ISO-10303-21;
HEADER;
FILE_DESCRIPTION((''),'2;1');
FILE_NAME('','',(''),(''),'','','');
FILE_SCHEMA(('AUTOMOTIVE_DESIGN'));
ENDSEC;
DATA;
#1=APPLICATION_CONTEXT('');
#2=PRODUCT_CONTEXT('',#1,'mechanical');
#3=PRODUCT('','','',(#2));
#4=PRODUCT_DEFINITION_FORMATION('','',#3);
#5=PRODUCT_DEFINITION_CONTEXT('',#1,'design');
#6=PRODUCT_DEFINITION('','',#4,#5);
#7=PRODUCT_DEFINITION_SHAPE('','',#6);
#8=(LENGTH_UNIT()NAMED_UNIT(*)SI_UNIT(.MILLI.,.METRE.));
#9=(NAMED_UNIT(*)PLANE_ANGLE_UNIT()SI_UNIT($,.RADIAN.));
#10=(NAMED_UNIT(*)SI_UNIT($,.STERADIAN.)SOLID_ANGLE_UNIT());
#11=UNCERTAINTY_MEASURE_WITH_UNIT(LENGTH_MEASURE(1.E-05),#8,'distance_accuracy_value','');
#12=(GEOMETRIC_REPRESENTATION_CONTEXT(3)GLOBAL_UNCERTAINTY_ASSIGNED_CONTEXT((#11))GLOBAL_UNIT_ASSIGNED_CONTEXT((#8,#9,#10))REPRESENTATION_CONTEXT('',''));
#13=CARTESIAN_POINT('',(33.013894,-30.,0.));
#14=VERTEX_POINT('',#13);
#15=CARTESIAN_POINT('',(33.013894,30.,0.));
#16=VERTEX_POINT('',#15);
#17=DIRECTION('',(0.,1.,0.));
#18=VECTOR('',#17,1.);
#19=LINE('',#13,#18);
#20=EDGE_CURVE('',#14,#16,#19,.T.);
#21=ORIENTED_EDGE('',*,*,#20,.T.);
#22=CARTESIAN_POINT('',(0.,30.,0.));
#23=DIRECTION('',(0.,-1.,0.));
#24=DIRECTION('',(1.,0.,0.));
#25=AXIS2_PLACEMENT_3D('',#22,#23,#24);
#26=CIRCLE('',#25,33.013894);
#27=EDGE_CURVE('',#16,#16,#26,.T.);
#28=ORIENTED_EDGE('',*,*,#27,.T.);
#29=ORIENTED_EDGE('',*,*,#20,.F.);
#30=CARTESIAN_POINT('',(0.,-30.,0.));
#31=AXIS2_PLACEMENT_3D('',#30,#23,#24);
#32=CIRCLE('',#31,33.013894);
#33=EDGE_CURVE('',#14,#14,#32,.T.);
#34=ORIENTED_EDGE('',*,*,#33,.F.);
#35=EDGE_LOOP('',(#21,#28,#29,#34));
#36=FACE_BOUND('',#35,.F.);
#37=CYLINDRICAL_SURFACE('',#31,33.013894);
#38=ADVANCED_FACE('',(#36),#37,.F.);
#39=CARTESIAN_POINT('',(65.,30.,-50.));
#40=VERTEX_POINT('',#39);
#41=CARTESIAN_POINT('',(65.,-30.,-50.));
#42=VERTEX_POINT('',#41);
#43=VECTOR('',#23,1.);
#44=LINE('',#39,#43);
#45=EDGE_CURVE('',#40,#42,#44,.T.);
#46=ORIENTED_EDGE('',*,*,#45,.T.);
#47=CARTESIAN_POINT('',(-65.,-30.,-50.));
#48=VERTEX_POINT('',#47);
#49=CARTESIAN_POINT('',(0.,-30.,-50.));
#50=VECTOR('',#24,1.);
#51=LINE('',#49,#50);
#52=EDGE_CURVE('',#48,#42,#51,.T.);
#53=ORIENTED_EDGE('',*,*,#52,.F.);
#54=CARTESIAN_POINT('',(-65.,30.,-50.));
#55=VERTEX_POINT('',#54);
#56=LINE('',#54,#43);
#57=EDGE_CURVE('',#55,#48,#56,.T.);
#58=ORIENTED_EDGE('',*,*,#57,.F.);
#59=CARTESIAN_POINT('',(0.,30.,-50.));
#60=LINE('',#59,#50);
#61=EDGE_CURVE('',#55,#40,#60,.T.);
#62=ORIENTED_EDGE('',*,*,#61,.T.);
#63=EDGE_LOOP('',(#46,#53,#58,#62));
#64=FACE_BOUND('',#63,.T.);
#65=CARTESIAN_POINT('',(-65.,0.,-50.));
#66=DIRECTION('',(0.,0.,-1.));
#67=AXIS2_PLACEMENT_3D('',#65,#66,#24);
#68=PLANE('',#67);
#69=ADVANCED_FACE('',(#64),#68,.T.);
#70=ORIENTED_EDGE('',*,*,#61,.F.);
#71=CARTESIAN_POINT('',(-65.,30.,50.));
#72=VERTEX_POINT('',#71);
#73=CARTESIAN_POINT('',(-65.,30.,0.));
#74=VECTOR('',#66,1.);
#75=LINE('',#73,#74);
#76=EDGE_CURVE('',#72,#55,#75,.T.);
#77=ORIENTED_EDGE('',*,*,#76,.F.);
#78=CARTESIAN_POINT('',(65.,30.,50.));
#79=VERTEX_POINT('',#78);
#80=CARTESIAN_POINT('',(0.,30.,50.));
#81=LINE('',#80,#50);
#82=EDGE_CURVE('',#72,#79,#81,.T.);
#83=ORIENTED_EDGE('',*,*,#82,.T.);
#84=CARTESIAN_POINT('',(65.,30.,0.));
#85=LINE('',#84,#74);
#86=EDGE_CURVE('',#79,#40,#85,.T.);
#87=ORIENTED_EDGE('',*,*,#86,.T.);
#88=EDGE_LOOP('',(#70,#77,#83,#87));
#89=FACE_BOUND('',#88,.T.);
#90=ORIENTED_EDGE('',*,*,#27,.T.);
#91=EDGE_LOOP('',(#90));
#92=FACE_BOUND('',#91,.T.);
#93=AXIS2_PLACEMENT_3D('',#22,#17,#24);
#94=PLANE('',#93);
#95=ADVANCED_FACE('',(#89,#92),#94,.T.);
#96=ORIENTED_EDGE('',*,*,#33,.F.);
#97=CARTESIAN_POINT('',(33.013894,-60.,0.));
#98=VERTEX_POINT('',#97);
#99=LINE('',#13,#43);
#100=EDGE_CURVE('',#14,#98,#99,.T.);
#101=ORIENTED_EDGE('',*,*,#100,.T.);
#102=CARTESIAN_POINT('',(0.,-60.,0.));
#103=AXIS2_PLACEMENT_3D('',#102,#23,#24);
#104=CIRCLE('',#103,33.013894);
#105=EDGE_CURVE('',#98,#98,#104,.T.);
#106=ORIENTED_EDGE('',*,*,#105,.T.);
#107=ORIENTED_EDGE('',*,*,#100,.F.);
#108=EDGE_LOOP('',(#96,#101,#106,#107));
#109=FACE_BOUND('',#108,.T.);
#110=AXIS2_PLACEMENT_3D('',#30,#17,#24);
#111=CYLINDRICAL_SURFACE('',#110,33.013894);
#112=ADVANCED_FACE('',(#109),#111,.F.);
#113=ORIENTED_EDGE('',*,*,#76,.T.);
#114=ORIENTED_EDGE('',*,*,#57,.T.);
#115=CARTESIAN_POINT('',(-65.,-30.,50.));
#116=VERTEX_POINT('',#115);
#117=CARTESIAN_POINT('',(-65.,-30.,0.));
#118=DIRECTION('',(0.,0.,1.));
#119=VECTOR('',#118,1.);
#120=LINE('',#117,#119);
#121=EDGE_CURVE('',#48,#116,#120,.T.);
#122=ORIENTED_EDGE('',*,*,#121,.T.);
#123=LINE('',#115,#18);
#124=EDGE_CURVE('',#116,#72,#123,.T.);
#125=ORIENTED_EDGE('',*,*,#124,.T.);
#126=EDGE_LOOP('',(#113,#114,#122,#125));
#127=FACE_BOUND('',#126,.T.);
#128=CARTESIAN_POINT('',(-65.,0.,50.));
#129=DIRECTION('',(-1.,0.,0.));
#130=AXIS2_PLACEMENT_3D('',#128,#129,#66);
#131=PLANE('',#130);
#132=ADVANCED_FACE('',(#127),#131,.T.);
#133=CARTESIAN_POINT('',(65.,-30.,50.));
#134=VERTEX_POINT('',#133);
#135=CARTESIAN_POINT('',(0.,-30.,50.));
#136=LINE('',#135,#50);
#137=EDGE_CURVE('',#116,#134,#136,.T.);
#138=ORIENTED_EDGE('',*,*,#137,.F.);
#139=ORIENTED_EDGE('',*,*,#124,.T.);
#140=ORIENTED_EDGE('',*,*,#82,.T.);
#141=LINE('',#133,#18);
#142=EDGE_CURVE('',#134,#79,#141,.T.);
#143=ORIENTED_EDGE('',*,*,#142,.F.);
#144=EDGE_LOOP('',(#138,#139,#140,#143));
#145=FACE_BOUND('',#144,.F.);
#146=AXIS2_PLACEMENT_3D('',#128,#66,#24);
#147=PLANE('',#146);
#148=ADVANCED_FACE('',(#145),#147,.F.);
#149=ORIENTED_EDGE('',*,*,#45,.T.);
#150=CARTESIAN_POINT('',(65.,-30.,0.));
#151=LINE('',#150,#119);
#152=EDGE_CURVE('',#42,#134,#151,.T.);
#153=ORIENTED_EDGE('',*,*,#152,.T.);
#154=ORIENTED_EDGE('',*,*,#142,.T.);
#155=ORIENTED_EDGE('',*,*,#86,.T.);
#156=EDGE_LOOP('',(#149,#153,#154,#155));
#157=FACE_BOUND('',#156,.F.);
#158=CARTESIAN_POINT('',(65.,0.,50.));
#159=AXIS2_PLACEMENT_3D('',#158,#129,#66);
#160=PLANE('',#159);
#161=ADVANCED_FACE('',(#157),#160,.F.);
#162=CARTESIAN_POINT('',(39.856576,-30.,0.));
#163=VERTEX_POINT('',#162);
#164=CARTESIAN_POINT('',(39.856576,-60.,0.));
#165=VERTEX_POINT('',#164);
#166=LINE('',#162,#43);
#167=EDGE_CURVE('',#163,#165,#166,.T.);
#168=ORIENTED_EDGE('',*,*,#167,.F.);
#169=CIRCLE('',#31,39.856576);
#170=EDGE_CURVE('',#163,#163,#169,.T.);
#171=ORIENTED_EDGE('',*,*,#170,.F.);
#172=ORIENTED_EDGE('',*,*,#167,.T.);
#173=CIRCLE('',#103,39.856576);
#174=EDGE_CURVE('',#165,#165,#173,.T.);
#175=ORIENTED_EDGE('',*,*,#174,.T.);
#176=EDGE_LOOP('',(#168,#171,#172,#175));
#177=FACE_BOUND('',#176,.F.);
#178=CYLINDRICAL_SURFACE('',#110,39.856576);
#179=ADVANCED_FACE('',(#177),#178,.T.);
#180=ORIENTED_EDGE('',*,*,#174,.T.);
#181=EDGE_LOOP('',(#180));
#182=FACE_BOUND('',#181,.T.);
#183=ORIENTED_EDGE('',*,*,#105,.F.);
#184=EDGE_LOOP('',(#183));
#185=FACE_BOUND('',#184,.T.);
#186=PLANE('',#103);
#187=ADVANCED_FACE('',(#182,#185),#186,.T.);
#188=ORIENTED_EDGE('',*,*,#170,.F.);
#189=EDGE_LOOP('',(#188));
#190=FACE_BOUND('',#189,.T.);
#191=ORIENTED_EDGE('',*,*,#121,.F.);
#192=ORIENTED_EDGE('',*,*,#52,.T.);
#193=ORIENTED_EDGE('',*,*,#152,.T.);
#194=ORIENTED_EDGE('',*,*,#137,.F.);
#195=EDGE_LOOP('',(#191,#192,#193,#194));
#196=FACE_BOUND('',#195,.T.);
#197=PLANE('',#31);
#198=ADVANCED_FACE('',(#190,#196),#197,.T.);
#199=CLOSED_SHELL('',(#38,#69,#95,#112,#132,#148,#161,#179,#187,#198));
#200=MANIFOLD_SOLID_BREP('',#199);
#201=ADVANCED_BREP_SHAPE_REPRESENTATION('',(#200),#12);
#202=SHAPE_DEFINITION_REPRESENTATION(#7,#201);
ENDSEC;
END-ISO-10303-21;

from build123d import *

# Parameters (mm, degrees)
F0_W      = 130
F0_H      = 100
F1_DEPTH  = 30
F1_FACE_W = 130
F1_FACE_H = 100
F2_DEPTH  = 30
F3_R      = 39.856576
F3_R_2    = 33.013894
F4_DEPTH  = 30
F4_FACE_R = 33.013894
F5_DEPTH  = 60


with BuildPart() as f1:
    # F0 (on Front) → F1 (new body)
    with BuildSketch(Plane.XZ):
        Rectangle(F0_W, F0_H)
    extrude(amount=F1_DEPTH)

    # F1_face (on face) → F2 (join)
    with BuildSketch(Plane(origin=(0, 0, 0), x_dir=(1, 0, 0), z_dir=(0, 1, 0))):
        Rectangle(F1_FACE_W, F1_FACE_H)
    extrude(amount=F2_DEPTH)

    # F3 (on face) → F4 (join)
    with BuildSketch(Plane.XZ.offset(30)):
        Circle(F3_R)
        Circle(F3_R_2, mode=Mode.SUBTRACT)
    extrude(amount=F4_DEPTH)

    # F4_face (on face) → F5 (cut)
    with BuildSketch(Plane.XZ.offset(30)):
        Circle(F4_FACE_R)
    extrude(amount=-F5_DEPTH, mode=Mode.SUBTRACT)


solid = f1.part
